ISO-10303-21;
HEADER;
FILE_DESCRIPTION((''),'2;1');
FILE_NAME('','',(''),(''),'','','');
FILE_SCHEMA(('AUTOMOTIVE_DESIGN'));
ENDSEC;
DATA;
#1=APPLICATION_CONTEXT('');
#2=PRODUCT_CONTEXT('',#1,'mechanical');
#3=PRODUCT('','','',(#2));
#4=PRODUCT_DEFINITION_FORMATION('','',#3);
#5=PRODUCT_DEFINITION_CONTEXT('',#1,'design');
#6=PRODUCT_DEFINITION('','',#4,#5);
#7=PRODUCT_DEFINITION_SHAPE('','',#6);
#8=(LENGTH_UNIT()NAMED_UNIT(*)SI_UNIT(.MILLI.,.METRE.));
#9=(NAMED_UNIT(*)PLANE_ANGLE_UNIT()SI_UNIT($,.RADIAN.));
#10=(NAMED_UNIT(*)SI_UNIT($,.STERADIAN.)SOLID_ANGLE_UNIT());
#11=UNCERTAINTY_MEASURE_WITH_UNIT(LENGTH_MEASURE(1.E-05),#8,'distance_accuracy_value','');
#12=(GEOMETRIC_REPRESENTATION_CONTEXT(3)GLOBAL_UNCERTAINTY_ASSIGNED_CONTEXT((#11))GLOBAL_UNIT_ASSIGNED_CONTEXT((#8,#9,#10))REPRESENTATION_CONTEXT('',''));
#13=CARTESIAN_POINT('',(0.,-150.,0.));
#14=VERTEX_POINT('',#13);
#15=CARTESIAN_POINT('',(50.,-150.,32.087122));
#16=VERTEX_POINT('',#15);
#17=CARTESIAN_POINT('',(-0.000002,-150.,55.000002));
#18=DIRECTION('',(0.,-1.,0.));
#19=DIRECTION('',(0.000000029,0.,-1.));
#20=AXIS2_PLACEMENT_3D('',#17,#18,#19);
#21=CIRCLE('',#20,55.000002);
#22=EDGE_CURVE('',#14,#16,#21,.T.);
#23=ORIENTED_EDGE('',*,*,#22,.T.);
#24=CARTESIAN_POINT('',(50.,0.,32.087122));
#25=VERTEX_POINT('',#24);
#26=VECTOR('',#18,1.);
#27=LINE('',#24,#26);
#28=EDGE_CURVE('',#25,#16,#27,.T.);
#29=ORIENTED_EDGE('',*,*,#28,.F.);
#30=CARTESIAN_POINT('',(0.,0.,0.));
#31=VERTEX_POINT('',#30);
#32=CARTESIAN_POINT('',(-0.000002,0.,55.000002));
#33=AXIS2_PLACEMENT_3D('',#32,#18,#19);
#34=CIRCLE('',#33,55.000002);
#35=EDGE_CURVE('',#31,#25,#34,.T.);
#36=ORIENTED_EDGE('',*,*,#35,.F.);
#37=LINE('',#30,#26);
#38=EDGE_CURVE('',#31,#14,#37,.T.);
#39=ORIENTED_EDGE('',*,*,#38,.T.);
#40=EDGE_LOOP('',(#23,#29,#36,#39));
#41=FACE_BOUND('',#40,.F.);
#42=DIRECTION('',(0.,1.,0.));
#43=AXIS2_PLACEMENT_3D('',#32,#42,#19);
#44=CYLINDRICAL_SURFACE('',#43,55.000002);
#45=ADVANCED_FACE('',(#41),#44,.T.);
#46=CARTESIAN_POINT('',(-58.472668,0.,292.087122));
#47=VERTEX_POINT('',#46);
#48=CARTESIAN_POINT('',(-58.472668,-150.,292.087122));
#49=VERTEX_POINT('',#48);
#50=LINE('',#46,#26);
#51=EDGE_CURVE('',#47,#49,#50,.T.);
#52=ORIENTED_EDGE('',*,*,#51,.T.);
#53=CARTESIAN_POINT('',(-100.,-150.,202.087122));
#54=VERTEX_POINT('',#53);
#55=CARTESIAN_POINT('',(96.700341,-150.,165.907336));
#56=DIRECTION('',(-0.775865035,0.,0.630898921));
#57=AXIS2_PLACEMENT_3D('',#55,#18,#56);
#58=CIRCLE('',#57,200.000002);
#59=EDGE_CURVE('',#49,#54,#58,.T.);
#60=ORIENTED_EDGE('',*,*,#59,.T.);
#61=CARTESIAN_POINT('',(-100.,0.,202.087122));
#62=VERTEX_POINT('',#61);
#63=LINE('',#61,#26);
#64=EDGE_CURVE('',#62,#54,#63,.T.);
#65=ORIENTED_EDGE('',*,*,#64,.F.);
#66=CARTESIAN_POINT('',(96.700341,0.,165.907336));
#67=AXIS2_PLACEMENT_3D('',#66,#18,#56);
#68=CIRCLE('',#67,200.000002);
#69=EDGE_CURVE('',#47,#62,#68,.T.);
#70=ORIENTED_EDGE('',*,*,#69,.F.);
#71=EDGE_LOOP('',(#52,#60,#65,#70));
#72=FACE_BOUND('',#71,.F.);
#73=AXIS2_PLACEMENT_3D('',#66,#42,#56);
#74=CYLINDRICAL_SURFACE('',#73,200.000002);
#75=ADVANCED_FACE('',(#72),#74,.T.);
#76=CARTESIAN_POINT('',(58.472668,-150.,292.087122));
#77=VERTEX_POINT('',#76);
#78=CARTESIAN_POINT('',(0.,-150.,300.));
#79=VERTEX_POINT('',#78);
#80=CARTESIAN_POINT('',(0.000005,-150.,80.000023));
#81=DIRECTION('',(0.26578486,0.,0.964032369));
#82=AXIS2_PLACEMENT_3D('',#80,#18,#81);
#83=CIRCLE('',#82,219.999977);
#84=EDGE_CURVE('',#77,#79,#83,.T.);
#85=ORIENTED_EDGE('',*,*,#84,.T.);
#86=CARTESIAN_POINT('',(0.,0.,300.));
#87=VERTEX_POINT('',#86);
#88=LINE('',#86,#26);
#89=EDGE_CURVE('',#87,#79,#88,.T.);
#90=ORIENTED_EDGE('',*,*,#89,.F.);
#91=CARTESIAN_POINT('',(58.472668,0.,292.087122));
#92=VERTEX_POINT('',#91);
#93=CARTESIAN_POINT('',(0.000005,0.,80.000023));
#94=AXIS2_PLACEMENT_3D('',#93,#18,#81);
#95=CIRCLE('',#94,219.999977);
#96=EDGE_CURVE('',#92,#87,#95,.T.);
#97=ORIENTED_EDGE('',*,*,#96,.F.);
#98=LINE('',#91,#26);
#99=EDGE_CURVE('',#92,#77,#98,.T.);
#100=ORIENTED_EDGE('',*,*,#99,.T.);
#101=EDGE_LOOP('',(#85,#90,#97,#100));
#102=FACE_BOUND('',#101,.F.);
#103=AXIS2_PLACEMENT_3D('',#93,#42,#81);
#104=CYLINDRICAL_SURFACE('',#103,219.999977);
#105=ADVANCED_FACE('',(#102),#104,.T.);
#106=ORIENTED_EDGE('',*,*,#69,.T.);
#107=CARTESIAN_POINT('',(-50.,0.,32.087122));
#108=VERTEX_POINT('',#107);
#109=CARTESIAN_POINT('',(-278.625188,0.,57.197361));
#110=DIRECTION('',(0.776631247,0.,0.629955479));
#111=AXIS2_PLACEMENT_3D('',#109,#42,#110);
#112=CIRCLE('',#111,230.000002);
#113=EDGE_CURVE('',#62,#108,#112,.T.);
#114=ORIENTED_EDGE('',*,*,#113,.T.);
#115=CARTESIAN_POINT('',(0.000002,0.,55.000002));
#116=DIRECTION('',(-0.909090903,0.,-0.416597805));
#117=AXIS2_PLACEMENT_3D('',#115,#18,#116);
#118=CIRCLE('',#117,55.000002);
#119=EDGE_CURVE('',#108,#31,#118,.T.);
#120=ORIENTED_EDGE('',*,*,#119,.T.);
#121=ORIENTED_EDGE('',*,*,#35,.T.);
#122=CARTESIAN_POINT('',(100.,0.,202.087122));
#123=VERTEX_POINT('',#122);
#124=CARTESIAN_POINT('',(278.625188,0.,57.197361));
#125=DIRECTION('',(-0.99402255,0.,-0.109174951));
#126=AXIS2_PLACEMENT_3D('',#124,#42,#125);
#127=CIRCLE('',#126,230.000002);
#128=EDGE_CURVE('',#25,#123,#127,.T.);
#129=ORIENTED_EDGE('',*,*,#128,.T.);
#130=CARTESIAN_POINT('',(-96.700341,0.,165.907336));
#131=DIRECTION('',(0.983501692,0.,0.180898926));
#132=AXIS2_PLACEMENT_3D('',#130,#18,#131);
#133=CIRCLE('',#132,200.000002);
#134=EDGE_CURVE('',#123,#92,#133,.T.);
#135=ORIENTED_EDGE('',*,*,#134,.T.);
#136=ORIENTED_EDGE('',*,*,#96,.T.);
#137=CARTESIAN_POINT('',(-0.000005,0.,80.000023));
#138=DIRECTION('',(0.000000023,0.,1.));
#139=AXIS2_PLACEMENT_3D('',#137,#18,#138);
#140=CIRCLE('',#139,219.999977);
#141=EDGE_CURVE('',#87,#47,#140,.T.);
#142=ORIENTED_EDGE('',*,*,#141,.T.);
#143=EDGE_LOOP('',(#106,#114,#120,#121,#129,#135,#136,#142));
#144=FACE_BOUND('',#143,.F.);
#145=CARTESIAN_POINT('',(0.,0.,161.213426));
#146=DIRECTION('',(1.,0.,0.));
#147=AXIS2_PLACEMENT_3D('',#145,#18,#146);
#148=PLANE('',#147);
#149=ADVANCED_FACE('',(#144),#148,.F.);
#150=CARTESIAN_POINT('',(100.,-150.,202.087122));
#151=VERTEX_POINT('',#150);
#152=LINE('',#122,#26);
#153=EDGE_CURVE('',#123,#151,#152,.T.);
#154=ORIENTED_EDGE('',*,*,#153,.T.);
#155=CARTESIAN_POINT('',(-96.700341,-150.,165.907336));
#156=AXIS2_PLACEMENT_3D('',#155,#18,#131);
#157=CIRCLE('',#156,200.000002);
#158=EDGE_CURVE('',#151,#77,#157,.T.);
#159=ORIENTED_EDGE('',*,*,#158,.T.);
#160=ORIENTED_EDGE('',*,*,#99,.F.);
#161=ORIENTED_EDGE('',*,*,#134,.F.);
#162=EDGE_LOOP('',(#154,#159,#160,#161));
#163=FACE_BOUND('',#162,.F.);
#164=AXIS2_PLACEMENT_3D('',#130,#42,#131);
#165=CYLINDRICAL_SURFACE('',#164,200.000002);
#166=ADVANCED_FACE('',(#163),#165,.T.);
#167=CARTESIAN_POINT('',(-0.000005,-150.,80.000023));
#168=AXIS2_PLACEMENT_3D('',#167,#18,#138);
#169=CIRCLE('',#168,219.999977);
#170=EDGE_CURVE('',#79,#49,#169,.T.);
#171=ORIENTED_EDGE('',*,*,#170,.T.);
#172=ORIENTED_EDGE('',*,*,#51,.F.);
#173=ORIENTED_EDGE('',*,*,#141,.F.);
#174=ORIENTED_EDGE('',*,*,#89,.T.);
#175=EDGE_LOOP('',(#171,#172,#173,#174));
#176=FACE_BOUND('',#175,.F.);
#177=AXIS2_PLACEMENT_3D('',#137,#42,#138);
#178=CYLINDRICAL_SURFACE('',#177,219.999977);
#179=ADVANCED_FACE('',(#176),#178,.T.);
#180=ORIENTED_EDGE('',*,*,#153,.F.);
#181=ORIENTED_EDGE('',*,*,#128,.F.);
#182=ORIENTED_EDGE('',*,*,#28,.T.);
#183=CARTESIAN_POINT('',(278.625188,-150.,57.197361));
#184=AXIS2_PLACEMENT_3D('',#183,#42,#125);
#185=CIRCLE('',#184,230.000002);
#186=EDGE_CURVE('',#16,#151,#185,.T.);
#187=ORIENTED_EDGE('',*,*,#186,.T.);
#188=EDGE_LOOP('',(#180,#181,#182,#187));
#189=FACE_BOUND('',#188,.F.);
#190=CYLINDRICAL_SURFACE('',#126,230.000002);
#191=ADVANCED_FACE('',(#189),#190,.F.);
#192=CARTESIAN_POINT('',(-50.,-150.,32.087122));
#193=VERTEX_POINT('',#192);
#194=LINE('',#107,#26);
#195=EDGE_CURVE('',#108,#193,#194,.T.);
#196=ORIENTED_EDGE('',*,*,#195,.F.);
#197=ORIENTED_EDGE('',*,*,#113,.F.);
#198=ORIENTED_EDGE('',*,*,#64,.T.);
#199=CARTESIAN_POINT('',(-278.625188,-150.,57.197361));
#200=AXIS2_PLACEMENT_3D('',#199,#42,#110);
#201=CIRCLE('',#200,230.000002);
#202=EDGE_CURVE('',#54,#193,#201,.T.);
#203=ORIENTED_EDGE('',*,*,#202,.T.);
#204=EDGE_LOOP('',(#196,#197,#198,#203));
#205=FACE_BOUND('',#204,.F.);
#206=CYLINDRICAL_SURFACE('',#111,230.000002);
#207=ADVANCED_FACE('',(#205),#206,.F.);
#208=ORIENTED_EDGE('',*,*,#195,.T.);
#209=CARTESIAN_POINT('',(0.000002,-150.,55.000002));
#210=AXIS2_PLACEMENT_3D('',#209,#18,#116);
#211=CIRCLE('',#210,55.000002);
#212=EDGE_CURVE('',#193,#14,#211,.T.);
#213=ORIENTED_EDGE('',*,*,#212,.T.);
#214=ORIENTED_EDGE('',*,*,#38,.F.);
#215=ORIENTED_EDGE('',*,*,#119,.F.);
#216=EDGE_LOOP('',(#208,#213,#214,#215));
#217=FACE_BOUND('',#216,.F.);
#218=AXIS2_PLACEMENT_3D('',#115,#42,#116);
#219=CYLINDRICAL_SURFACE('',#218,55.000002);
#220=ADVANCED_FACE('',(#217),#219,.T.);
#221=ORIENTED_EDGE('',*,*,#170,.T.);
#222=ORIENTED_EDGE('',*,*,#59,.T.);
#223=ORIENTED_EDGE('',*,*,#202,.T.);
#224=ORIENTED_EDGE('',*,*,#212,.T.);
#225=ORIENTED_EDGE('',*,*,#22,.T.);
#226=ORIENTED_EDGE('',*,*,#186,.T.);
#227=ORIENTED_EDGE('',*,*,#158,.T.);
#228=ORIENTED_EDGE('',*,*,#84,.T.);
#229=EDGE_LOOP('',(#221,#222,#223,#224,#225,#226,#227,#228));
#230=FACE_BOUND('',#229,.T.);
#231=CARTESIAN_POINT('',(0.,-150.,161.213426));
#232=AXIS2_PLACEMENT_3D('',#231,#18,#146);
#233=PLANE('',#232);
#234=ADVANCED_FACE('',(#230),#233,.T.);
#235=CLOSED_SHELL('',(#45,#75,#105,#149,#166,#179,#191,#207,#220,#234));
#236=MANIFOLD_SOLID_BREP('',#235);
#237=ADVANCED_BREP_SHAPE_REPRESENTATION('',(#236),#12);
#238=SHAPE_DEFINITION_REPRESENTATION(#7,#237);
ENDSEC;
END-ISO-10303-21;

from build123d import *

# Parameters (mm, degrees)
F1_DEPTH = 150


with BuildPart() as f1:
    # F0 (on Front) → F1 (new body)
    with BuildSketch(Plane.XZ):
        with BuildLine():
            ThreePointArc((100, 202.087122), (84.900082, 249.700459), (58.472668, 292.087122))
            ThreePointArc((58.472668, 292.087122), (29.502824, 298.012806), (0, 300))
            ThreePointArc((0, 300), (-29.502824, 298.012806), (-58.472668, 292.087122))
            ThreePointArc((-58.472668, 292.087122), (-84.900082, 249.700459), (-100, 202.087122))
            ThreePointArc((-100, 202.087122), (-57.971121, 122.095615), (-50, 32.087122))
            ThreePointArc((-50, 32.087122), (-29.705148, 8.711728), (0, 0))
            ThreePointArc((0, 0), (29.705148, 8.711728), (50, 32.087122))
            ThreePointArc((50, 32.087122), (57.971121, 122.095615), (100, 202.087122))
        make_face()
    extrude(amount=F1_DEPTH)


solid = f1.part
